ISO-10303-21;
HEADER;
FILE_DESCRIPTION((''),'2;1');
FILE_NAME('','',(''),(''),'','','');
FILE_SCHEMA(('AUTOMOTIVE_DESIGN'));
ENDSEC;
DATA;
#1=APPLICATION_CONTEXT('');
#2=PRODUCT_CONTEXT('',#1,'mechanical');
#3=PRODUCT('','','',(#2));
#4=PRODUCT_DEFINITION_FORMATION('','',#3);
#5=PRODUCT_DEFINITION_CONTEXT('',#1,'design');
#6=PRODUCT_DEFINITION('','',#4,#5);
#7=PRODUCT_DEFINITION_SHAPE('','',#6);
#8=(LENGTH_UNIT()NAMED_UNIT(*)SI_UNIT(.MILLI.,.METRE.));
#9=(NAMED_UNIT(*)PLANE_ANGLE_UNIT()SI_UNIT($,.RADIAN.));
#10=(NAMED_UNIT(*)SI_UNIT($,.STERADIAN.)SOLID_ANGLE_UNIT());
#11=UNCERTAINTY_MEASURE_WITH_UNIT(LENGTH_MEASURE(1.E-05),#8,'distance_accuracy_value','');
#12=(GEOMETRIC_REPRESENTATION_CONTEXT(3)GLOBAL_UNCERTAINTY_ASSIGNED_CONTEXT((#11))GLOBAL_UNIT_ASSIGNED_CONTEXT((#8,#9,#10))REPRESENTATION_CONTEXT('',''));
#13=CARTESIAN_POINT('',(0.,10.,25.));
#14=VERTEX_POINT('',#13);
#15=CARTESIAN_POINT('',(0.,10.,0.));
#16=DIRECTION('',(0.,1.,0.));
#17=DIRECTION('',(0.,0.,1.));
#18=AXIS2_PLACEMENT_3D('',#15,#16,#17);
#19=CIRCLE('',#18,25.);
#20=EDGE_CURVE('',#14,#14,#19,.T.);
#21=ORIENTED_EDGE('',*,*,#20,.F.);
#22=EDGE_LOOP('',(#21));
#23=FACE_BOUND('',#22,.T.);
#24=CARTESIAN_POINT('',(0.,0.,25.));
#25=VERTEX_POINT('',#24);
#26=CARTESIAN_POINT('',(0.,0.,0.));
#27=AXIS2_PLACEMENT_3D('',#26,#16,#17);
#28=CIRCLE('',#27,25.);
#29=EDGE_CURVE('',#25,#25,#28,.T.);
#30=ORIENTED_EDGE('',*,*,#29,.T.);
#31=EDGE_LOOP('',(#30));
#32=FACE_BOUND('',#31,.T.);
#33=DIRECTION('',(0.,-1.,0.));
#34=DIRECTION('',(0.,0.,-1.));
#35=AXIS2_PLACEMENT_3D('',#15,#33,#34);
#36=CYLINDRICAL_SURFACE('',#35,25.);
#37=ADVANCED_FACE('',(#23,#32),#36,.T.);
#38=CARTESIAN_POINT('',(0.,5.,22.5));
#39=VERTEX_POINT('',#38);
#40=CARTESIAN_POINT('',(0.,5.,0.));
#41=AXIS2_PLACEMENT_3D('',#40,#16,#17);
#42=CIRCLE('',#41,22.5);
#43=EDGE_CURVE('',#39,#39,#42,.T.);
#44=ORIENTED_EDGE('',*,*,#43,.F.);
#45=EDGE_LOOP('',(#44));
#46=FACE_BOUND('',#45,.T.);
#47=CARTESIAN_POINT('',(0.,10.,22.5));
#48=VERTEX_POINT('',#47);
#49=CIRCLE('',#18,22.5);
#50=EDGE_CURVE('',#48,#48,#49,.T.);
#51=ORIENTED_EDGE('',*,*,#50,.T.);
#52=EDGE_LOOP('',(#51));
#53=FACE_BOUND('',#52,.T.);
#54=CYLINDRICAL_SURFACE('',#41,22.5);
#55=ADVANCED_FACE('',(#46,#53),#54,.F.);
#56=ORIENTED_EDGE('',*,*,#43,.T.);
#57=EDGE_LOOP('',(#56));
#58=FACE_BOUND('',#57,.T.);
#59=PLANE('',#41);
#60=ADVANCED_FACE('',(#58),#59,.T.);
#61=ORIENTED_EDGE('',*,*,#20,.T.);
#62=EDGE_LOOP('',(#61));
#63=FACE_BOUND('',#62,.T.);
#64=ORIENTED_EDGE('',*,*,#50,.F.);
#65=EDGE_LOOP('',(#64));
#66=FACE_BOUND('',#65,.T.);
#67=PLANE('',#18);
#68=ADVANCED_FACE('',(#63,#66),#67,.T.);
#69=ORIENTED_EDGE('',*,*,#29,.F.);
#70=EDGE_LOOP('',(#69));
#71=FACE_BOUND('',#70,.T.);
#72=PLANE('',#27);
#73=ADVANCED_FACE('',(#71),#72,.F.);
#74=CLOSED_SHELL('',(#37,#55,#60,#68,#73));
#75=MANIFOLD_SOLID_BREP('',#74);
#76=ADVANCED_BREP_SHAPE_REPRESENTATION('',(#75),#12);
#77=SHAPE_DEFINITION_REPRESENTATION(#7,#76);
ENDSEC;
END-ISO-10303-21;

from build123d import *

# Parameters (mm, degrees)
SKETCH_1_R          = 25
EXTRUDE_1_DEPTH     = 10
SKETCH_3_R          = 22.5
CUT_EXTRUDE_1_DEPTH = 5


with BuildPart() as part:
    # 草圖1 → 填料-伸長1 (new body)
    with BuildSketch(Plane(origin=(0, 0, 0), x_dir=(1, 0, 0), z_dir=(0, 1, 0))):
        with Locations(Location((0, 0, 0), (0, 0, 270))):
            Circle(SKETCH_1_R)
    extrude(amount=EXTRUDE_1_DEPTH)

    # 草圖3 → 除料-伸長1 (cut)
    with BuildSketch(Plane(origin=(0, 10, 0), x_dir=(1, 0, 0), z_dir=(0, 1, 0))):
        with Locations(Location((0, 0, 0), (0, 0, 270))):
            Circle(SKETCH_3_R)
    extrude(amount=-CUT_EXTRUDE_1_DEPTH, mode=Mode.SUBTRACT)


solid = part.part
